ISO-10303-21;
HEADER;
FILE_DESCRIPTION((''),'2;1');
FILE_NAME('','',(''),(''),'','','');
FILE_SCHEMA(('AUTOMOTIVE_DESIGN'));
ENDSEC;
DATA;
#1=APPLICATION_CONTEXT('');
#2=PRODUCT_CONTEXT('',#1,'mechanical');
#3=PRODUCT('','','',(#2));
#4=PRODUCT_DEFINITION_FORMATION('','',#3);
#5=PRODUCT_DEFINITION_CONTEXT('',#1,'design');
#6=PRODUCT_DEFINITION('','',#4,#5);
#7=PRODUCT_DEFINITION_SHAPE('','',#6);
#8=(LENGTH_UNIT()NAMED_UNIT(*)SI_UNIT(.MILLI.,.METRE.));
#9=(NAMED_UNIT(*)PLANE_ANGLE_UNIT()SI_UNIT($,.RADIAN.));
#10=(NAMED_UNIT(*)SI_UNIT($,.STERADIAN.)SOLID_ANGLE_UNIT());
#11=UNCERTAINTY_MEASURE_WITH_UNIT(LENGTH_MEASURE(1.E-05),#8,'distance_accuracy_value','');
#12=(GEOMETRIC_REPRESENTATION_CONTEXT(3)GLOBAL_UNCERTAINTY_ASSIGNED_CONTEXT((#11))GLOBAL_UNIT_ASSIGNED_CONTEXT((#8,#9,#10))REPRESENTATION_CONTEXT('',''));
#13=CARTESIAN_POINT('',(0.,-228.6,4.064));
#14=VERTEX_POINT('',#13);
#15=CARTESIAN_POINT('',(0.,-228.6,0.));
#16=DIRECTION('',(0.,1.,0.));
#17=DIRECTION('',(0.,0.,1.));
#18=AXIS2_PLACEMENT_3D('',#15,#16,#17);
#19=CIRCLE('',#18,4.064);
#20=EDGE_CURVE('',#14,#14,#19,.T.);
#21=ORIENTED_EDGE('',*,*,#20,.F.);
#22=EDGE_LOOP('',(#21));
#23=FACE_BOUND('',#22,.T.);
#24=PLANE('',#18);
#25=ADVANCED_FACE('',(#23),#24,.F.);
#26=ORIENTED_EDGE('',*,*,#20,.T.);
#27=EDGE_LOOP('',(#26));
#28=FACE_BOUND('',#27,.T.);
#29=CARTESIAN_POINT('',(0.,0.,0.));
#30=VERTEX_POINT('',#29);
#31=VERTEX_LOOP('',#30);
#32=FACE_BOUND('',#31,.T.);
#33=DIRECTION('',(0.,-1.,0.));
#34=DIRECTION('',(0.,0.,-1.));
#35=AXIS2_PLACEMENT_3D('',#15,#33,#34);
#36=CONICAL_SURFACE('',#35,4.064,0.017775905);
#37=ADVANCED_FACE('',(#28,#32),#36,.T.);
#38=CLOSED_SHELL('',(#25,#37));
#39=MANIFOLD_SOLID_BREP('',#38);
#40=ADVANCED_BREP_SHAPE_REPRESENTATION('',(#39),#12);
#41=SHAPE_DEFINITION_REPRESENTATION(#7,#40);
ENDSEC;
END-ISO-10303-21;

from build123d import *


with BuildPart() as part:
    # Sketch2 → Revolve1 (revolve)
    with BuildSketch(Plane(origin=(0, 0, 0), x_dir=(0, 0, -1), z_dir=(1, 0, 0))):
        Polygon((0, 0), (0, -228.6), (4.064, -228.6), align=None)
    revolve(axis=Axis((0, 0, 0), (0, -1, 0)))


solid = part.part
